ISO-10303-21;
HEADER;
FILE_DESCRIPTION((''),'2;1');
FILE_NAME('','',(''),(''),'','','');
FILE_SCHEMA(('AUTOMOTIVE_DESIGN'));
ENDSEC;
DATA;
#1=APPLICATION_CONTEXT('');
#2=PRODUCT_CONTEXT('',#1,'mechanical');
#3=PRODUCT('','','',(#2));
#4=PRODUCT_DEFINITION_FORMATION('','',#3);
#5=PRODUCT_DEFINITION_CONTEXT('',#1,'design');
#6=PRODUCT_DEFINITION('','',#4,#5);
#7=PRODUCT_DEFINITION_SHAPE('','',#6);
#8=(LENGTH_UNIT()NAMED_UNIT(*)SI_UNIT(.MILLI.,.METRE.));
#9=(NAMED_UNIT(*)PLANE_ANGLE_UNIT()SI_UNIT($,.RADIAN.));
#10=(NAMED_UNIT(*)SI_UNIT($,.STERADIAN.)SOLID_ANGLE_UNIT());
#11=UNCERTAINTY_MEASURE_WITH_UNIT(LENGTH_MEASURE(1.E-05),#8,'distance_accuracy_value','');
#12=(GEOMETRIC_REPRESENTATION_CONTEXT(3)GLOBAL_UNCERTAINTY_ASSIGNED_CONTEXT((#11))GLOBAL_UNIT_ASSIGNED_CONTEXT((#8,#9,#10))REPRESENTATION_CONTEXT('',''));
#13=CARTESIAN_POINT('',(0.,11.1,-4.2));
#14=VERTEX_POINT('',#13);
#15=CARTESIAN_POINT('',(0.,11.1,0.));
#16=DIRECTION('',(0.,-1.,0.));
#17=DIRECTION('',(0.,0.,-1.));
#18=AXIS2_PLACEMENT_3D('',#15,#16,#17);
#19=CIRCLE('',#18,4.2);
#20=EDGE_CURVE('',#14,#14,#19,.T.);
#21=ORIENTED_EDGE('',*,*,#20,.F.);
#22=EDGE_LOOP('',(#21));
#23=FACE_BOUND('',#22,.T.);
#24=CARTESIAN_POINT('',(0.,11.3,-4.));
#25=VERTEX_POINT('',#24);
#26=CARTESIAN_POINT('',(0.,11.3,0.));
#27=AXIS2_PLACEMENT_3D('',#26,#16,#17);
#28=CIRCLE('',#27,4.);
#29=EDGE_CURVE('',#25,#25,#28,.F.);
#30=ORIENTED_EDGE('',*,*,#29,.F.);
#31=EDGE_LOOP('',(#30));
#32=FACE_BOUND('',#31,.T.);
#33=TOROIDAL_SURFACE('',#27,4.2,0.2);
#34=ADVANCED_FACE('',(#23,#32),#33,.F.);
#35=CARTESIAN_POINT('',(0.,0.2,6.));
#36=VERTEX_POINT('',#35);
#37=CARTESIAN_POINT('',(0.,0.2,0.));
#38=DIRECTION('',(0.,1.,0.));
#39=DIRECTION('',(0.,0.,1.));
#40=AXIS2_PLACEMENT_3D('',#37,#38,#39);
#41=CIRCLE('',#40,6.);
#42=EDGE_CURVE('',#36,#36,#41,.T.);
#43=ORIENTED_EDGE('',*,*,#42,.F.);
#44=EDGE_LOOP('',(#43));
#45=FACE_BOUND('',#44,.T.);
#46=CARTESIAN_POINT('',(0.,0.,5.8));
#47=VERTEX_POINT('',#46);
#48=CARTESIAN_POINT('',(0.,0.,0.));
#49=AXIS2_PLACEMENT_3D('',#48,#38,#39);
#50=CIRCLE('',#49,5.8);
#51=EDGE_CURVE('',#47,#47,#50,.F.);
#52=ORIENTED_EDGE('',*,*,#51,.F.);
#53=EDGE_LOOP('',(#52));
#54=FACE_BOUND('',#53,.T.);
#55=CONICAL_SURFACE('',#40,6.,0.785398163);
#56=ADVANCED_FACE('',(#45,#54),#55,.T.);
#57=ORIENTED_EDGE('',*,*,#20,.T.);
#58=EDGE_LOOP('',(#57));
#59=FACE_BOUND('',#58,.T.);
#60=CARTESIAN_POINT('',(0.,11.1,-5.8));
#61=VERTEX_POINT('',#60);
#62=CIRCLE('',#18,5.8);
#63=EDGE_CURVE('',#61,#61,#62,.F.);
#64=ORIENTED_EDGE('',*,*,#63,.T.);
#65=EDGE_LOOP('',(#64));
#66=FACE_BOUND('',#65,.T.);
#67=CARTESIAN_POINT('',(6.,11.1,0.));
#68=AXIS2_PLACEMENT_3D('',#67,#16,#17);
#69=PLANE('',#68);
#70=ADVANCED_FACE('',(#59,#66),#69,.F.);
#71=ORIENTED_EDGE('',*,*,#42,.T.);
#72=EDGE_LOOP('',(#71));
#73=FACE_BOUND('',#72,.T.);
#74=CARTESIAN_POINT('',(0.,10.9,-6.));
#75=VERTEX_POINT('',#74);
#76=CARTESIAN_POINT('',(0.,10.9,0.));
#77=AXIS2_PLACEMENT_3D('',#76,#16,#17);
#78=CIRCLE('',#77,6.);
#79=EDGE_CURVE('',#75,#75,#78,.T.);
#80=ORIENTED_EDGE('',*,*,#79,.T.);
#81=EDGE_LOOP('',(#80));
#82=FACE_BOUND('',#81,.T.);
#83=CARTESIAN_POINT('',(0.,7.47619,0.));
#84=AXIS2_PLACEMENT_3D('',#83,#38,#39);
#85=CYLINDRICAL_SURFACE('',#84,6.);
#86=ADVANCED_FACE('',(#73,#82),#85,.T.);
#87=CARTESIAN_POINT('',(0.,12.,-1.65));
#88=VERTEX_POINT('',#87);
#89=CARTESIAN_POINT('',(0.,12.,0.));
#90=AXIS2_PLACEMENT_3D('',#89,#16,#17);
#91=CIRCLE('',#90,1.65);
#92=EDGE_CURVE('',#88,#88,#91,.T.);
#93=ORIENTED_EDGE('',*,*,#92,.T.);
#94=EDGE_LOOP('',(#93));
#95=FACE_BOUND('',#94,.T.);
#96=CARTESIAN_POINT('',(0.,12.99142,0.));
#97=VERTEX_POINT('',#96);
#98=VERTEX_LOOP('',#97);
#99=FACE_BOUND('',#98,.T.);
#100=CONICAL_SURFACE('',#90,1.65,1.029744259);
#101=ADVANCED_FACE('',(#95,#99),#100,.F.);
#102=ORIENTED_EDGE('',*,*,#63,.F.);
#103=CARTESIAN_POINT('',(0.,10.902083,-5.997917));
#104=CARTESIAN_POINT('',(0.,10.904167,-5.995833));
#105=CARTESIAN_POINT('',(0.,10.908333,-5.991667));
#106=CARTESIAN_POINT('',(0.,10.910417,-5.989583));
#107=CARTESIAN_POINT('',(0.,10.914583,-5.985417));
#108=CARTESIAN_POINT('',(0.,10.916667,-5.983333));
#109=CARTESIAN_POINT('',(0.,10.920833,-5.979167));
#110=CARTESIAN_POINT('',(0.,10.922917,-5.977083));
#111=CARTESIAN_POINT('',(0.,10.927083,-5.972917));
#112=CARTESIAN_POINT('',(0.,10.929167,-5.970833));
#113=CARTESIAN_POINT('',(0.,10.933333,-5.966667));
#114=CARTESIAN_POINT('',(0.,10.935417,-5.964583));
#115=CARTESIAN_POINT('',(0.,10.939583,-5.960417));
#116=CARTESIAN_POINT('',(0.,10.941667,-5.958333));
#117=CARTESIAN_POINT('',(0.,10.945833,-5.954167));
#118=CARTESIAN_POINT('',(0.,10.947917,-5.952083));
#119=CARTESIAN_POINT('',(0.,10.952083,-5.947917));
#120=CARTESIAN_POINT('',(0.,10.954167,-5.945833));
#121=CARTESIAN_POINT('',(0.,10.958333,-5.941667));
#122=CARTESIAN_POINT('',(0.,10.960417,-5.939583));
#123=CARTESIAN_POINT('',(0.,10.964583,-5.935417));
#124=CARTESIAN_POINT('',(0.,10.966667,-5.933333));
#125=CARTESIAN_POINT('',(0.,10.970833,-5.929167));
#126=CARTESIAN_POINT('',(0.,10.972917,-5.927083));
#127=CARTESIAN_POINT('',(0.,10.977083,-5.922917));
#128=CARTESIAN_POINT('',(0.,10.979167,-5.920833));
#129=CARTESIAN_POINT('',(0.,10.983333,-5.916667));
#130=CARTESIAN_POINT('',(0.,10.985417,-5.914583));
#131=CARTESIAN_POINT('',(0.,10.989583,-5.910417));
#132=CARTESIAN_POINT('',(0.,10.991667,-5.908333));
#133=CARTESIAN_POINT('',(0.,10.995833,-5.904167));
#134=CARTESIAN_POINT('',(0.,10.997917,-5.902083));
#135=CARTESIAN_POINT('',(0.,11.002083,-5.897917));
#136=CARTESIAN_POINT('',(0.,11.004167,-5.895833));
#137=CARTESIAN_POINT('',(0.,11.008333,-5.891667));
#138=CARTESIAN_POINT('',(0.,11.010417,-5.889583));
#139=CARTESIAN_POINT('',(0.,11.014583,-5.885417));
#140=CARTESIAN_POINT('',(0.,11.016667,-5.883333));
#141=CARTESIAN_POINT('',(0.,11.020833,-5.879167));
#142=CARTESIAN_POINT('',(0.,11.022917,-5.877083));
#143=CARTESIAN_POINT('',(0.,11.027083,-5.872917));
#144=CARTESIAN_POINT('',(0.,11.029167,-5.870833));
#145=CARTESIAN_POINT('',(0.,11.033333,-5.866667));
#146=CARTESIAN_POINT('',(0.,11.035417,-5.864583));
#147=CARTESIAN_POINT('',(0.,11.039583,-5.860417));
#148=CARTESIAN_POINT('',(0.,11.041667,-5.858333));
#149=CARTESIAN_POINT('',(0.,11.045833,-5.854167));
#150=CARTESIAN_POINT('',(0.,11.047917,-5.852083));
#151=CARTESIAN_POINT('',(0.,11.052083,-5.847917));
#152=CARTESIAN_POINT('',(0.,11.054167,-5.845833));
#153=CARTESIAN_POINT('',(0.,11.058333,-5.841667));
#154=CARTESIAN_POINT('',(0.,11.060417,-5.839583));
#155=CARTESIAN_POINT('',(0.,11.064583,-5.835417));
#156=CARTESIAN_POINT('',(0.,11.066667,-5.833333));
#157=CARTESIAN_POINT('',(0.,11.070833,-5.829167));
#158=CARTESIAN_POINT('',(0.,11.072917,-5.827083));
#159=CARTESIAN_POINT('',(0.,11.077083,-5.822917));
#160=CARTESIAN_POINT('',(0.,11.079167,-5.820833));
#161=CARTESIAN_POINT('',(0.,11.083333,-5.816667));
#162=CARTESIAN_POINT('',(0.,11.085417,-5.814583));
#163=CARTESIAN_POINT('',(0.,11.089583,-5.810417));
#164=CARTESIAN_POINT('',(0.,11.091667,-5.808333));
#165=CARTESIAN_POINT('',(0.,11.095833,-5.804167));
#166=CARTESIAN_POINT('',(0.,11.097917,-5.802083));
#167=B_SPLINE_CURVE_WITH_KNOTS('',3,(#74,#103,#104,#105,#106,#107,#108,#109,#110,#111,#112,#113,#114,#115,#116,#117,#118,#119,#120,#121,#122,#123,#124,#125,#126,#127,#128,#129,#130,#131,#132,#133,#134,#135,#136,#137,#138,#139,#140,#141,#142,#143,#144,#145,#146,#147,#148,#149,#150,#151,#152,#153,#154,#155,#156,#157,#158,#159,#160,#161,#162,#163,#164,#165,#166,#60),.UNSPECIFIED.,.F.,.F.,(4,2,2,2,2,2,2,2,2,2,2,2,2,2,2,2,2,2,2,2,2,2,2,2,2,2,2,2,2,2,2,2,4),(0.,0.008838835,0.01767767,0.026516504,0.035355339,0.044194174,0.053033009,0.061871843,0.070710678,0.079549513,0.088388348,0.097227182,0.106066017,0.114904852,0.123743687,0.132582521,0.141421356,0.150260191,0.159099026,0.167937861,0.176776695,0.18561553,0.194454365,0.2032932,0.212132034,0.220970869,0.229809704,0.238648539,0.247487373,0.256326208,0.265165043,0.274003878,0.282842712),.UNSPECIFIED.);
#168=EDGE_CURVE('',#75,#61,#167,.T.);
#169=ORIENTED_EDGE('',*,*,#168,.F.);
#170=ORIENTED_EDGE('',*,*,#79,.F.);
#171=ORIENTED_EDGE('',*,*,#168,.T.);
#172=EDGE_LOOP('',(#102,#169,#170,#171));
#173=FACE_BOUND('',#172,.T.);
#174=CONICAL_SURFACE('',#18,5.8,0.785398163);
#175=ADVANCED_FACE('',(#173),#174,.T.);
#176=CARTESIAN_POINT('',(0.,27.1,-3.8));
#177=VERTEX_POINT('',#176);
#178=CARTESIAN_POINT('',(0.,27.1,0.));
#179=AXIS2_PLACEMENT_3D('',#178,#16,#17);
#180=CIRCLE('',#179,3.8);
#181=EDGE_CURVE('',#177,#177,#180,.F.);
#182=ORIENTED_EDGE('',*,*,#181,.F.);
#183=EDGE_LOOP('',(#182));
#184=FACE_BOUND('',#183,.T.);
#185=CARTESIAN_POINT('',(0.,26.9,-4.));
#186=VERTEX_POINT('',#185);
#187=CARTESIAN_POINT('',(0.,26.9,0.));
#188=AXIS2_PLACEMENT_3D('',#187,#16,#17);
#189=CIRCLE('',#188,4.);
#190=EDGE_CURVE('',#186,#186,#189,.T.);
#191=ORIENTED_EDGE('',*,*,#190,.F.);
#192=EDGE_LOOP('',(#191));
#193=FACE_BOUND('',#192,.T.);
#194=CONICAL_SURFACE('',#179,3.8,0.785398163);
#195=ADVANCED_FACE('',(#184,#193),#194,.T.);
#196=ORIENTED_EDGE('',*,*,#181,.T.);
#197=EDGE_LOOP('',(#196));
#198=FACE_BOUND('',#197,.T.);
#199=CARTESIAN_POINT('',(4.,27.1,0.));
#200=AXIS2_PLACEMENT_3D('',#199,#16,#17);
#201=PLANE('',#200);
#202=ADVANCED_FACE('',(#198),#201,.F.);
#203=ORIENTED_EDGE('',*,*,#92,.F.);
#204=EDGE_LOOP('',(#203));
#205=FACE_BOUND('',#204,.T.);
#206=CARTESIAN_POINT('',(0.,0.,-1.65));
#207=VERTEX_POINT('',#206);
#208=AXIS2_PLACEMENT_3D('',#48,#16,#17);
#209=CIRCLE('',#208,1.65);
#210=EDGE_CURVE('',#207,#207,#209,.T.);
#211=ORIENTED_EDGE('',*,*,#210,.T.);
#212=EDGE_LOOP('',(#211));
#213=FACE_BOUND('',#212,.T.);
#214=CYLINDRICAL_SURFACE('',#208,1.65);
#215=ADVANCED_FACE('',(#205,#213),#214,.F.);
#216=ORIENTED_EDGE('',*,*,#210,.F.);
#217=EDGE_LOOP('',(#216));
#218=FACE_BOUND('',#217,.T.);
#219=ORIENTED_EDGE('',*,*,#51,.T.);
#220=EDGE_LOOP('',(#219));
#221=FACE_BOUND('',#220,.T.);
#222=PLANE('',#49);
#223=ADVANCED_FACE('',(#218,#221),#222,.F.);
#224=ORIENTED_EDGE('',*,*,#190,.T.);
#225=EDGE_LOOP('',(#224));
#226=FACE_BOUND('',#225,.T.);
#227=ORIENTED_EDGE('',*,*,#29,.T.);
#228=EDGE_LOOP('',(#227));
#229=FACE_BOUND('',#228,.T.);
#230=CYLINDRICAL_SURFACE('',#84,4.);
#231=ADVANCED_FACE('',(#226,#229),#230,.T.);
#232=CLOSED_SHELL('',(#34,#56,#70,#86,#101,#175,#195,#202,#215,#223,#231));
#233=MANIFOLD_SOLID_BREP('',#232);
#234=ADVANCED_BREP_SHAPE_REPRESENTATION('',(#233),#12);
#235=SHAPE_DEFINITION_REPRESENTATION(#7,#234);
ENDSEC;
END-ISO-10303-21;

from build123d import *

# Parameters (mm, degrees)
M4_TAPPED_HOLE1_D     = 3.3
M4_TAPPED_HOLE1_DEPTH = 12
M4_TAPPED_HOLE1_TIP   = 0.991420021
FILLET1_R             = 0.2
CHAMFER1_SIZE         = 0.2


with BuildPart() as part:
    # Sketch1 → Revolve1 (revolve)
    with BuildSketch(Plane.XY, mode=Mode.PRIVATE) as revolve1_sk:
        Polygon((0, 0), (6, 0), (6, 11.1), (4, 11.1), (4, 27.1), (0, 27.1), align=None)
    revolve(revolve1_sk.sketch.rotate(Axis((0, 7.476190476, 0), (0, -1, 0)), 90), axis=Axis((0, 7.476190476, 0), (0, -1, 0)))

    # M4 Tapped Hole1
    with Locations(Plane(origin=(0, 0, 0), x_dir=(-1, 0, 0), z_dir=(0, -1, 0))):
        with Locations((0, 0)):
            Hole(M4_TAPPED_HOLE1_D / 2, depth=M4_TAPPED_HOLE1_DEPTH)
            with Locations((0, 0, -(M4_TAPPED_HOLE1_DEPTH + M4_TAPPED_HOLE1_TIP / 2))):  # 118° drill point
                Cone(0, M4_TAPPED_HOLE1_D / 2, M4_TAPPED_HOLE1_TIP, mode=Mode.SUBTRACT)

    # Fillet1
    fillet1_edges = [part.edges().sort_by_distance(p)[0] for p in [
        (0, 11.1, -4),
    ]]
    fillet(fillet1_edges, radius=FILLET1_R)

    # Chamfer1
    chamfer1_edges = [part.edges().sort_by_distance(p)[0] for p in [
        (0, 27.1, -4),
        (0, 11.1, -6),
        (0, 0, -6),
    ]]
    chamfer(chamfer1_edges, length=CHAMFER1_SIZE)


solid = part.part
